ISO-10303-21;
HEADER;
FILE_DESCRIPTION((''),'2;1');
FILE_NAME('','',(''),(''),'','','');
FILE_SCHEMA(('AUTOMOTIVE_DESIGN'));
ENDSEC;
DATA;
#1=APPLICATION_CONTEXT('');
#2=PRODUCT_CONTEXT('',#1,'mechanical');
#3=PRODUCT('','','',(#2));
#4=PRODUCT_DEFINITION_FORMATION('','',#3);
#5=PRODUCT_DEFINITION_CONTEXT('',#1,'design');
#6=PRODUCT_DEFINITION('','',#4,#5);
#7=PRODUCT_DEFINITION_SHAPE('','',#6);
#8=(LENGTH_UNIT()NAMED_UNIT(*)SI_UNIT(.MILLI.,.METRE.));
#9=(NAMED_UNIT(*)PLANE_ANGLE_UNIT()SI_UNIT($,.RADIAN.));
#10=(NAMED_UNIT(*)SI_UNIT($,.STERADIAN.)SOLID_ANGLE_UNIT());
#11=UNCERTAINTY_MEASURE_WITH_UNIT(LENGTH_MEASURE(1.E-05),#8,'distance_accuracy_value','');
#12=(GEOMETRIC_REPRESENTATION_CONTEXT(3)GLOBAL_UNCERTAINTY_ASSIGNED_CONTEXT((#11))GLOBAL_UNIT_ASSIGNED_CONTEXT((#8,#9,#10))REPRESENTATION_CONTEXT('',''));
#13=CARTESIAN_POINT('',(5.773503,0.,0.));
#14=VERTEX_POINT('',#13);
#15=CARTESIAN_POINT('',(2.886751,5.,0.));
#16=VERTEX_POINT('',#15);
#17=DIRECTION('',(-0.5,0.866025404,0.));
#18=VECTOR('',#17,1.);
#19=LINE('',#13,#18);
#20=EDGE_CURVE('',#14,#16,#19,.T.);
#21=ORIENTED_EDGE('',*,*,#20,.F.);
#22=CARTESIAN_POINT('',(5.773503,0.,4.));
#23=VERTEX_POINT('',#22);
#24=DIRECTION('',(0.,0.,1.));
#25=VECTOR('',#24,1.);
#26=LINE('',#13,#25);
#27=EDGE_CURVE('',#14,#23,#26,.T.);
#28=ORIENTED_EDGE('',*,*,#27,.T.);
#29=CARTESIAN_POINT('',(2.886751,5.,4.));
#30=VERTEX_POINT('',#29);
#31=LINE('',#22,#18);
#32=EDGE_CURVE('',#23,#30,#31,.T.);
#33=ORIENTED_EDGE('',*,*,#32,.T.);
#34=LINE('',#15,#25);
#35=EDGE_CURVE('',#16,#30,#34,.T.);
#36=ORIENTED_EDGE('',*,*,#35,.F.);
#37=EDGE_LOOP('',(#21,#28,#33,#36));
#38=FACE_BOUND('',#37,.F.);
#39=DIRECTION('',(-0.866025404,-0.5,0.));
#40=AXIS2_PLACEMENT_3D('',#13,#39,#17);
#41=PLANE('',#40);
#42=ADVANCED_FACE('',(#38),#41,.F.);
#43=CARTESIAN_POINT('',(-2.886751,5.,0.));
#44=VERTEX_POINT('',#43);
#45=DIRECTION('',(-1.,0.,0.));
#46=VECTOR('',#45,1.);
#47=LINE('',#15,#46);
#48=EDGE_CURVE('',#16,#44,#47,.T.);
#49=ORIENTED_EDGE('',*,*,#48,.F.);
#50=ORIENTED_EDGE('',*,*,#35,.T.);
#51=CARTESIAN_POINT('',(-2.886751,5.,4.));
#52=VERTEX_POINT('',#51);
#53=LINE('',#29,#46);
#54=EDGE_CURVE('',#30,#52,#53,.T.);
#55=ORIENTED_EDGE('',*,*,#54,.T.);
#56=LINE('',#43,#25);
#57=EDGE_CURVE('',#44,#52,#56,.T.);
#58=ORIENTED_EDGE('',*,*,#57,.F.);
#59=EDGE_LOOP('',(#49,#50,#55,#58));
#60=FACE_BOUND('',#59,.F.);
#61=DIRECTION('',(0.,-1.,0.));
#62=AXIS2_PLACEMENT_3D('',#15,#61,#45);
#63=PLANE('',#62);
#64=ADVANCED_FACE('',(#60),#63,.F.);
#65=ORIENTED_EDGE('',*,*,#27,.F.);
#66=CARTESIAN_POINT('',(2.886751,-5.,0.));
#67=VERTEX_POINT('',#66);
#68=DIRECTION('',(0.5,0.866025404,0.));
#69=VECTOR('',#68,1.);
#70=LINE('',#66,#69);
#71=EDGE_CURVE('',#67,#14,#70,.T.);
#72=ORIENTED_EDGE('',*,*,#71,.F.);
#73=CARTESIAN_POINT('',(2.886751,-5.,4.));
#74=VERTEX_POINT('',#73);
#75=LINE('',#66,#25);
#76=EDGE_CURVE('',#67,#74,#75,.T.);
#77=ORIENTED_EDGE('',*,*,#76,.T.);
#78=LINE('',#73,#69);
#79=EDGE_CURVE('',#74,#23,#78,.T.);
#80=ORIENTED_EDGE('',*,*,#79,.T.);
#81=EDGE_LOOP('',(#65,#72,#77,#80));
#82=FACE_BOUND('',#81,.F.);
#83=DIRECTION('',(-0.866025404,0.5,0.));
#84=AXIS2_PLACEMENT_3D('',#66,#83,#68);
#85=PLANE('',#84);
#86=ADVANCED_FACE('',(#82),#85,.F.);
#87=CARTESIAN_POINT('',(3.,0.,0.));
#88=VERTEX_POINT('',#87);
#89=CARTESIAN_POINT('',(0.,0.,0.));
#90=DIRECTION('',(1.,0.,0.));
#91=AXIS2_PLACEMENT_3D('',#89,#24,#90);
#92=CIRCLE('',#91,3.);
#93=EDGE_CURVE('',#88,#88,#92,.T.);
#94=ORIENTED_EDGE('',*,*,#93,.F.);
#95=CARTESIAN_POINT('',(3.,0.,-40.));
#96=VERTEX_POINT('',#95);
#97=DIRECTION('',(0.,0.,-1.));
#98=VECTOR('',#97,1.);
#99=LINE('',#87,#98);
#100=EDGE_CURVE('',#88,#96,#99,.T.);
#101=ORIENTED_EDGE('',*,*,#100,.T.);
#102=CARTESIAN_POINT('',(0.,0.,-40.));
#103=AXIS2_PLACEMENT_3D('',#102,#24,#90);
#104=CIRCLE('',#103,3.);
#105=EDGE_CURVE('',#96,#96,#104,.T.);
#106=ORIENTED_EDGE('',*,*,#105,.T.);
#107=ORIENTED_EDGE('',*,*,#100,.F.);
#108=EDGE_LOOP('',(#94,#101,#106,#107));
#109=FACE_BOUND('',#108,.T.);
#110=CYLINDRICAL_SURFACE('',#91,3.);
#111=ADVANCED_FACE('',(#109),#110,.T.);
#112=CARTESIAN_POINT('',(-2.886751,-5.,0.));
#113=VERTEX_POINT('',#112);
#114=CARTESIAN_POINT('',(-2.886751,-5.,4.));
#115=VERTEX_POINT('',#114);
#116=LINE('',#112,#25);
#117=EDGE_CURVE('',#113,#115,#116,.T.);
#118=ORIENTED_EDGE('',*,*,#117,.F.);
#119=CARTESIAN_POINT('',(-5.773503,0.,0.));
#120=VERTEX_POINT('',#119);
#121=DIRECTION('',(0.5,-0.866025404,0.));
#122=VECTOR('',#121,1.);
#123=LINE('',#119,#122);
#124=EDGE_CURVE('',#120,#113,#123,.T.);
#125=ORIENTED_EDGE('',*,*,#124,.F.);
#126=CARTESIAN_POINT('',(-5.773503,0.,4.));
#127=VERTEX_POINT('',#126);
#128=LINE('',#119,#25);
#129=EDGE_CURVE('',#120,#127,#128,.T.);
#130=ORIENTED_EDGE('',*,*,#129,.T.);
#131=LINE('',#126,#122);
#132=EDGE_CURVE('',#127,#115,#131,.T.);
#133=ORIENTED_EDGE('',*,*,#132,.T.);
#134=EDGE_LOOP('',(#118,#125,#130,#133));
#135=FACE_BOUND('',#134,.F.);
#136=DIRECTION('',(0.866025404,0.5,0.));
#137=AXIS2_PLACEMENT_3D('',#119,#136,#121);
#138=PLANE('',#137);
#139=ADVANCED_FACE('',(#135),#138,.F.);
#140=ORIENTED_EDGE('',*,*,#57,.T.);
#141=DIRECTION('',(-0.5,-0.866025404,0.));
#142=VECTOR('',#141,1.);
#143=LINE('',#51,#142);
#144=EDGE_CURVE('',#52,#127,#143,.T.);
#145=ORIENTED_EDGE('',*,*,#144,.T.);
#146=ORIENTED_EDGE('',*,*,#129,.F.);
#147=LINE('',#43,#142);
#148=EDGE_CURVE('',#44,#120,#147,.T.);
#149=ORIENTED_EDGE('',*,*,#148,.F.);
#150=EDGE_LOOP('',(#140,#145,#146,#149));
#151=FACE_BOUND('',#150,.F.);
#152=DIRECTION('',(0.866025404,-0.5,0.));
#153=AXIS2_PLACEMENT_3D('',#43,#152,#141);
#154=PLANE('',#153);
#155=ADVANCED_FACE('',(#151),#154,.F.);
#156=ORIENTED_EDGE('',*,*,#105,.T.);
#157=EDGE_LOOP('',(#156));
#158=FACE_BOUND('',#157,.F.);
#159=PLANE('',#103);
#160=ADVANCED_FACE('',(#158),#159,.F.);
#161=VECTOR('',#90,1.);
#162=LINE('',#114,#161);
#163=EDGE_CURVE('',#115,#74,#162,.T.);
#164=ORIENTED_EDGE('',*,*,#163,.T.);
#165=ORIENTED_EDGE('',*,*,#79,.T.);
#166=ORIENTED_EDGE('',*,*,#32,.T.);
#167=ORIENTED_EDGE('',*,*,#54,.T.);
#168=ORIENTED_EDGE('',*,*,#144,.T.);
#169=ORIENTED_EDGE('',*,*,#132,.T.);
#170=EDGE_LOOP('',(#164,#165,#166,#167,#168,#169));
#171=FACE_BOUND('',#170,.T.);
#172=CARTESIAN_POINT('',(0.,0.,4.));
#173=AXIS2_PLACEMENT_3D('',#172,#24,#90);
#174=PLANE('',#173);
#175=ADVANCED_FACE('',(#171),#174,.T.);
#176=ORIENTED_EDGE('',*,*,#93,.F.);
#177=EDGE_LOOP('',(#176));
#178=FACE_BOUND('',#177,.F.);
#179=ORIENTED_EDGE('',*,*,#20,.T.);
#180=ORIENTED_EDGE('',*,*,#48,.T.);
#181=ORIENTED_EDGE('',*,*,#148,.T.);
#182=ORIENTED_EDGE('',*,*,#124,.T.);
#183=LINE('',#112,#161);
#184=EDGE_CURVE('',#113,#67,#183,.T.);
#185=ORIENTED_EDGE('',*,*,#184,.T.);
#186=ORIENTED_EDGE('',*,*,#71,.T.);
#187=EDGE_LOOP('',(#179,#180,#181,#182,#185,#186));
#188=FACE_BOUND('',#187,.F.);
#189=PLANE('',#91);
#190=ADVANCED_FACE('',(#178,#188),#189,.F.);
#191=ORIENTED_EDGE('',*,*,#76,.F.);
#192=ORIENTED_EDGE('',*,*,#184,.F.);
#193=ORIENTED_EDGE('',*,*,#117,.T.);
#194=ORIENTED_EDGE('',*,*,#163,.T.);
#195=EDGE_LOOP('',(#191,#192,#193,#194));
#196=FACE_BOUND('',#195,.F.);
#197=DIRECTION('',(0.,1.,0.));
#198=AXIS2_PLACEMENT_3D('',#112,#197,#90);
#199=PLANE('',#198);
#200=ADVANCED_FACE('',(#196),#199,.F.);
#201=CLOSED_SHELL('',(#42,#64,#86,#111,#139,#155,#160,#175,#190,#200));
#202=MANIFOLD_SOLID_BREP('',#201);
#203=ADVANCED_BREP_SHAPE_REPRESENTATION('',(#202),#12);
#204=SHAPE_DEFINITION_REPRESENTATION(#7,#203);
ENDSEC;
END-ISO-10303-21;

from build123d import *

# Parameters (mm, degrees)
F0_R     = 3
F1_DEPTH = 4
F2_DEPTH = 40


with BuildPart() as f1:
    # F0 (on Top) → F1 (new body)
    with BuildSketch(Plane.XY):
        Polygon((2.8867513459, 5), (-2.8867513459, 5), (-5.7735026919, 0), (-2.8867513459, -5), (2.8867513459, -5), (5.7735026919, 0), align=None)
        Circle(F0_R, mode=Mode.SUBTRACT)
        Circle(F0_R)
    extrude(amount=F1_DEPTH)

    # F0 (on Top) → F2 (join)
    with BuildSketch(Plane.XY):
        Circle(F0_R)
    extrude(amount=-F2_DEPTH)


solid = f1.part
